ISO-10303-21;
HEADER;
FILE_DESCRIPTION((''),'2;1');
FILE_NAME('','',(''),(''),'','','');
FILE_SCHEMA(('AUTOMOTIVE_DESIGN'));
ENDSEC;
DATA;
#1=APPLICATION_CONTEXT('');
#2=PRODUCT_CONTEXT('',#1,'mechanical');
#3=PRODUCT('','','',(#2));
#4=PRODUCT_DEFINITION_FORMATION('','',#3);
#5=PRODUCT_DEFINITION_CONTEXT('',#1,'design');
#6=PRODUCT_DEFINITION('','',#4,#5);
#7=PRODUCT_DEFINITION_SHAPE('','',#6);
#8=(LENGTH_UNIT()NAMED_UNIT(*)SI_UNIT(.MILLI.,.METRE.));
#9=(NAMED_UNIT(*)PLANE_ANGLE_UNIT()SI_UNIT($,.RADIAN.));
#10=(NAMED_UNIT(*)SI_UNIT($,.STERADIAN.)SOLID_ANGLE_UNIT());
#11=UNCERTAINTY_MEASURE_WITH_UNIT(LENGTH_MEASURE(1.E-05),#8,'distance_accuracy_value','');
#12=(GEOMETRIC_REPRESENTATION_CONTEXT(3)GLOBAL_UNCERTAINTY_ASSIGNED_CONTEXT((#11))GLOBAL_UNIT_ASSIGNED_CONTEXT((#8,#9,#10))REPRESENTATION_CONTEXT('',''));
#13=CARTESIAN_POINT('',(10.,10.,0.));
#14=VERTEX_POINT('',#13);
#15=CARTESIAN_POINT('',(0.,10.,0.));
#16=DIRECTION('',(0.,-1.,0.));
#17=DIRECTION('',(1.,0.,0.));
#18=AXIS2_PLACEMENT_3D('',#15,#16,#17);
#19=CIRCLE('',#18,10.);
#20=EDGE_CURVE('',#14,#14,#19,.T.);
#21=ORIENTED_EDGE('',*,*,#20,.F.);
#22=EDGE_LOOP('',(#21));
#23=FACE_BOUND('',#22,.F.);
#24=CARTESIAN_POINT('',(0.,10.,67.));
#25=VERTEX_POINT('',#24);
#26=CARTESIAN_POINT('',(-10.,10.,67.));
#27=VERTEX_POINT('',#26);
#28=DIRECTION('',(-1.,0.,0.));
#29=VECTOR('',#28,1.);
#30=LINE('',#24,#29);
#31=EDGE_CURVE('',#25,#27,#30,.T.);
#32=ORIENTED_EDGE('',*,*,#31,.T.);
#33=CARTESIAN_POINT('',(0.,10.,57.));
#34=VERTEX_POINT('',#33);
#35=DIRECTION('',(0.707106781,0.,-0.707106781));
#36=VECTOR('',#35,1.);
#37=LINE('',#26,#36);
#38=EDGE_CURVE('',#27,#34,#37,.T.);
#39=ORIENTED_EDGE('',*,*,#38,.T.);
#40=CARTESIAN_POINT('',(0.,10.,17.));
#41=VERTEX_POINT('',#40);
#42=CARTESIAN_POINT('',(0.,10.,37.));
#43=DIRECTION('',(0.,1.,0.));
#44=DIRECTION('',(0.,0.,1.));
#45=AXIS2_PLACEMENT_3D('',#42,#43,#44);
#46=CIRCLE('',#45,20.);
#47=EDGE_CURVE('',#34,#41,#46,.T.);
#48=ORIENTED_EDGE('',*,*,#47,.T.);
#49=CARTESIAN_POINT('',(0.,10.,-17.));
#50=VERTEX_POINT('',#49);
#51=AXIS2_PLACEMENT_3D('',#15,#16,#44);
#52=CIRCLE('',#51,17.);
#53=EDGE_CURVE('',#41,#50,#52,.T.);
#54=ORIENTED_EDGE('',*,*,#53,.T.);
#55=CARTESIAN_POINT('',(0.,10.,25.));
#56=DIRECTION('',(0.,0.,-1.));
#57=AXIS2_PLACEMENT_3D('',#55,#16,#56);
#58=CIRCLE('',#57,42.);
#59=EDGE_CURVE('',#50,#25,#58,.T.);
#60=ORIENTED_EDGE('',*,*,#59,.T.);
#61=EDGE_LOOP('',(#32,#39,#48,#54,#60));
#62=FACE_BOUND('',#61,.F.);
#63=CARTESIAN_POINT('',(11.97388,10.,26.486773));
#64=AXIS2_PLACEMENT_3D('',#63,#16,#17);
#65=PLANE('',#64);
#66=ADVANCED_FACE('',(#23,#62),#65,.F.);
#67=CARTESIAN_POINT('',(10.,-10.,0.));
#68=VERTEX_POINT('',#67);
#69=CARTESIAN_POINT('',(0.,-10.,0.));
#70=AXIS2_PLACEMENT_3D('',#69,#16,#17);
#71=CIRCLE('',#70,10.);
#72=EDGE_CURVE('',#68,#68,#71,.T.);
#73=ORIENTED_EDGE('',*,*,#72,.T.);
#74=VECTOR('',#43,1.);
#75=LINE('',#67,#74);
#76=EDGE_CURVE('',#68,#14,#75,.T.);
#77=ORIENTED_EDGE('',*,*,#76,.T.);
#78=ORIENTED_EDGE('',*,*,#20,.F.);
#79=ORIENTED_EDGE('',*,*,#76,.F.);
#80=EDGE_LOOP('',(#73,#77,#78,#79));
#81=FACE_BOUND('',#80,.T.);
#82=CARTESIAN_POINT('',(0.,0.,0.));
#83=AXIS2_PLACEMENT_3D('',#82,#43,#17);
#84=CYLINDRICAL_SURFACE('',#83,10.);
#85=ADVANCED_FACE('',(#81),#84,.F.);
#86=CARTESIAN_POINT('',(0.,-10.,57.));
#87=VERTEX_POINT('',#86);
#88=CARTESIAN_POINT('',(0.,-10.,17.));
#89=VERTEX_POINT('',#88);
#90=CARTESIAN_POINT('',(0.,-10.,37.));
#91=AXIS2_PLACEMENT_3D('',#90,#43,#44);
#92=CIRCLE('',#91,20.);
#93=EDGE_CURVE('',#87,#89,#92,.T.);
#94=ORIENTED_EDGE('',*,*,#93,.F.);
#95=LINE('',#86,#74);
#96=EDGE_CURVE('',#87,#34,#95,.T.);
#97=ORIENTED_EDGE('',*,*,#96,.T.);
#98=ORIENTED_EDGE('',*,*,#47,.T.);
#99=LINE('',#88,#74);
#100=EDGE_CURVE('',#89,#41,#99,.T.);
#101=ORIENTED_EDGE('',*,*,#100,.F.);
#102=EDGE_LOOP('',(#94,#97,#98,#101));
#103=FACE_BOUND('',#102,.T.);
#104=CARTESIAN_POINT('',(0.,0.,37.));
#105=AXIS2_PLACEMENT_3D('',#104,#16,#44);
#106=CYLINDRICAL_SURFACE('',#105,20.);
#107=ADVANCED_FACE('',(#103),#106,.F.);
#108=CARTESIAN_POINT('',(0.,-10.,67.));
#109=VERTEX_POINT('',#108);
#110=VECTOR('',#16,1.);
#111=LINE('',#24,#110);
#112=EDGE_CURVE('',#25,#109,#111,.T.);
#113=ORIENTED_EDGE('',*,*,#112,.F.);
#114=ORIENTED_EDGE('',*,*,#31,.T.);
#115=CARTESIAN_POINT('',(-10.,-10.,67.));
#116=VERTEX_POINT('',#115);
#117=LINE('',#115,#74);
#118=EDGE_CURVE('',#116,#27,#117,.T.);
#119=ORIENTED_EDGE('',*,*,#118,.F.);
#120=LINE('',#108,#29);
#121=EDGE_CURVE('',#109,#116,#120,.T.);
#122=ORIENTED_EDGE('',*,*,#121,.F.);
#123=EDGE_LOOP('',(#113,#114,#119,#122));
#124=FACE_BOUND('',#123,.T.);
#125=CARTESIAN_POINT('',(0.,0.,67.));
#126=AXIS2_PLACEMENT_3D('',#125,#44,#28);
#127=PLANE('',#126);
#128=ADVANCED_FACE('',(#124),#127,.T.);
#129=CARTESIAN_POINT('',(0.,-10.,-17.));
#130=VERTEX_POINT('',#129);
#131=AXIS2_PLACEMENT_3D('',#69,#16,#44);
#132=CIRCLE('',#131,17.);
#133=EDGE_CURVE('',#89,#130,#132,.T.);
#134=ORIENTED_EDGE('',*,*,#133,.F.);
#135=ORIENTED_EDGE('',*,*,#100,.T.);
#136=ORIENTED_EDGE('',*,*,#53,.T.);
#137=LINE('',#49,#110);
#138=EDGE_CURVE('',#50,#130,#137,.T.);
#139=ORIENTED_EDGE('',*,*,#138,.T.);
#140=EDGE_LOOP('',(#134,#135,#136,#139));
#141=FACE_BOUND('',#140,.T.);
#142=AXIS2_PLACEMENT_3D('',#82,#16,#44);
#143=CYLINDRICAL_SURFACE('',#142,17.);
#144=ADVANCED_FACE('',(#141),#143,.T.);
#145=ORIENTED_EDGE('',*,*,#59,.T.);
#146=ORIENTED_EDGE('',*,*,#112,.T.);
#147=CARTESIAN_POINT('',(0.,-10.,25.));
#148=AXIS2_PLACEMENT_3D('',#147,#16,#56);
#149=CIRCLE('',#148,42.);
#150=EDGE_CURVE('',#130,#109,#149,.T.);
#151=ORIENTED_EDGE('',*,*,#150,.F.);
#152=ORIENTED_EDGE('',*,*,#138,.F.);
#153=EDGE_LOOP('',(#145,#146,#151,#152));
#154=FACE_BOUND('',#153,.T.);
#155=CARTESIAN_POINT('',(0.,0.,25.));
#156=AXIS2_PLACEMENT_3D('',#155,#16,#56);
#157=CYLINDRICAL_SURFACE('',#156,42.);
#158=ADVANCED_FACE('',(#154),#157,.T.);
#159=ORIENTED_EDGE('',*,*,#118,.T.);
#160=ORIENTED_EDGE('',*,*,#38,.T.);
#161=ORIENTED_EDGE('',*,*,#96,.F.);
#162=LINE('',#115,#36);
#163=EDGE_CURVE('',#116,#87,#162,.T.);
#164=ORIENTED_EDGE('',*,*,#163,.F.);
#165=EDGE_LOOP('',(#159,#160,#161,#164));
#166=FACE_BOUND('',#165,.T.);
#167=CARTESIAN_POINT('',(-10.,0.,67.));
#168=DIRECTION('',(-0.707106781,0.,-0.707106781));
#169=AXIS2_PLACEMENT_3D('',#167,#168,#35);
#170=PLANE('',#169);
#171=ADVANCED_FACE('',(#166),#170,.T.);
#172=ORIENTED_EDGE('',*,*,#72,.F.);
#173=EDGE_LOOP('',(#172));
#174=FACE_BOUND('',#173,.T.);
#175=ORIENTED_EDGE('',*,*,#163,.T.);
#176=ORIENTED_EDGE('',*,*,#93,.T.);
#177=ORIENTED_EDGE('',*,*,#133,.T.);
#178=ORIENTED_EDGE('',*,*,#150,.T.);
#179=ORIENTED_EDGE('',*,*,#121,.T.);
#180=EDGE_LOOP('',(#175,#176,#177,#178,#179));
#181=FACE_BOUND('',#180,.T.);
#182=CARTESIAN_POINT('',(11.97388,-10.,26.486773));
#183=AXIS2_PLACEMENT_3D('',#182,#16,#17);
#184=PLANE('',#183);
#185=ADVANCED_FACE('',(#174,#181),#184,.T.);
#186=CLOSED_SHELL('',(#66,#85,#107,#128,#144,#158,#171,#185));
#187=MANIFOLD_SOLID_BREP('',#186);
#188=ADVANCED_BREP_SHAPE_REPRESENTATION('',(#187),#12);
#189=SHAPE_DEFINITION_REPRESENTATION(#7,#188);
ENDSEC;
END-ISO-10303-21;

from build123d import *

# Parameters (mm, degrees)
F0_R     = 10
F1_DEPTH = 10


with BuildPart() as f1:
    # F0 (on Front) → F1 (new body, symmetric)
    with BuildSketch(Plane.XZ):
        with BuildLine():
            ThreePointArc((0, 17), (-17, 0), (0, -17))
            ThreePointArc((0, -17), (42, 25), (0, 67))
            Line((0, 67), (-10, 67))
            Line((-10, 67), (0, 57))
            ThreePointArc((0, 57), (20, 37), (0, 17))
        make_face()
        Circle(F0_R, mode=Mode.SUBTRACT)
    extrude(amount=F1_DEPTH, both=True)


solid = f1.part
